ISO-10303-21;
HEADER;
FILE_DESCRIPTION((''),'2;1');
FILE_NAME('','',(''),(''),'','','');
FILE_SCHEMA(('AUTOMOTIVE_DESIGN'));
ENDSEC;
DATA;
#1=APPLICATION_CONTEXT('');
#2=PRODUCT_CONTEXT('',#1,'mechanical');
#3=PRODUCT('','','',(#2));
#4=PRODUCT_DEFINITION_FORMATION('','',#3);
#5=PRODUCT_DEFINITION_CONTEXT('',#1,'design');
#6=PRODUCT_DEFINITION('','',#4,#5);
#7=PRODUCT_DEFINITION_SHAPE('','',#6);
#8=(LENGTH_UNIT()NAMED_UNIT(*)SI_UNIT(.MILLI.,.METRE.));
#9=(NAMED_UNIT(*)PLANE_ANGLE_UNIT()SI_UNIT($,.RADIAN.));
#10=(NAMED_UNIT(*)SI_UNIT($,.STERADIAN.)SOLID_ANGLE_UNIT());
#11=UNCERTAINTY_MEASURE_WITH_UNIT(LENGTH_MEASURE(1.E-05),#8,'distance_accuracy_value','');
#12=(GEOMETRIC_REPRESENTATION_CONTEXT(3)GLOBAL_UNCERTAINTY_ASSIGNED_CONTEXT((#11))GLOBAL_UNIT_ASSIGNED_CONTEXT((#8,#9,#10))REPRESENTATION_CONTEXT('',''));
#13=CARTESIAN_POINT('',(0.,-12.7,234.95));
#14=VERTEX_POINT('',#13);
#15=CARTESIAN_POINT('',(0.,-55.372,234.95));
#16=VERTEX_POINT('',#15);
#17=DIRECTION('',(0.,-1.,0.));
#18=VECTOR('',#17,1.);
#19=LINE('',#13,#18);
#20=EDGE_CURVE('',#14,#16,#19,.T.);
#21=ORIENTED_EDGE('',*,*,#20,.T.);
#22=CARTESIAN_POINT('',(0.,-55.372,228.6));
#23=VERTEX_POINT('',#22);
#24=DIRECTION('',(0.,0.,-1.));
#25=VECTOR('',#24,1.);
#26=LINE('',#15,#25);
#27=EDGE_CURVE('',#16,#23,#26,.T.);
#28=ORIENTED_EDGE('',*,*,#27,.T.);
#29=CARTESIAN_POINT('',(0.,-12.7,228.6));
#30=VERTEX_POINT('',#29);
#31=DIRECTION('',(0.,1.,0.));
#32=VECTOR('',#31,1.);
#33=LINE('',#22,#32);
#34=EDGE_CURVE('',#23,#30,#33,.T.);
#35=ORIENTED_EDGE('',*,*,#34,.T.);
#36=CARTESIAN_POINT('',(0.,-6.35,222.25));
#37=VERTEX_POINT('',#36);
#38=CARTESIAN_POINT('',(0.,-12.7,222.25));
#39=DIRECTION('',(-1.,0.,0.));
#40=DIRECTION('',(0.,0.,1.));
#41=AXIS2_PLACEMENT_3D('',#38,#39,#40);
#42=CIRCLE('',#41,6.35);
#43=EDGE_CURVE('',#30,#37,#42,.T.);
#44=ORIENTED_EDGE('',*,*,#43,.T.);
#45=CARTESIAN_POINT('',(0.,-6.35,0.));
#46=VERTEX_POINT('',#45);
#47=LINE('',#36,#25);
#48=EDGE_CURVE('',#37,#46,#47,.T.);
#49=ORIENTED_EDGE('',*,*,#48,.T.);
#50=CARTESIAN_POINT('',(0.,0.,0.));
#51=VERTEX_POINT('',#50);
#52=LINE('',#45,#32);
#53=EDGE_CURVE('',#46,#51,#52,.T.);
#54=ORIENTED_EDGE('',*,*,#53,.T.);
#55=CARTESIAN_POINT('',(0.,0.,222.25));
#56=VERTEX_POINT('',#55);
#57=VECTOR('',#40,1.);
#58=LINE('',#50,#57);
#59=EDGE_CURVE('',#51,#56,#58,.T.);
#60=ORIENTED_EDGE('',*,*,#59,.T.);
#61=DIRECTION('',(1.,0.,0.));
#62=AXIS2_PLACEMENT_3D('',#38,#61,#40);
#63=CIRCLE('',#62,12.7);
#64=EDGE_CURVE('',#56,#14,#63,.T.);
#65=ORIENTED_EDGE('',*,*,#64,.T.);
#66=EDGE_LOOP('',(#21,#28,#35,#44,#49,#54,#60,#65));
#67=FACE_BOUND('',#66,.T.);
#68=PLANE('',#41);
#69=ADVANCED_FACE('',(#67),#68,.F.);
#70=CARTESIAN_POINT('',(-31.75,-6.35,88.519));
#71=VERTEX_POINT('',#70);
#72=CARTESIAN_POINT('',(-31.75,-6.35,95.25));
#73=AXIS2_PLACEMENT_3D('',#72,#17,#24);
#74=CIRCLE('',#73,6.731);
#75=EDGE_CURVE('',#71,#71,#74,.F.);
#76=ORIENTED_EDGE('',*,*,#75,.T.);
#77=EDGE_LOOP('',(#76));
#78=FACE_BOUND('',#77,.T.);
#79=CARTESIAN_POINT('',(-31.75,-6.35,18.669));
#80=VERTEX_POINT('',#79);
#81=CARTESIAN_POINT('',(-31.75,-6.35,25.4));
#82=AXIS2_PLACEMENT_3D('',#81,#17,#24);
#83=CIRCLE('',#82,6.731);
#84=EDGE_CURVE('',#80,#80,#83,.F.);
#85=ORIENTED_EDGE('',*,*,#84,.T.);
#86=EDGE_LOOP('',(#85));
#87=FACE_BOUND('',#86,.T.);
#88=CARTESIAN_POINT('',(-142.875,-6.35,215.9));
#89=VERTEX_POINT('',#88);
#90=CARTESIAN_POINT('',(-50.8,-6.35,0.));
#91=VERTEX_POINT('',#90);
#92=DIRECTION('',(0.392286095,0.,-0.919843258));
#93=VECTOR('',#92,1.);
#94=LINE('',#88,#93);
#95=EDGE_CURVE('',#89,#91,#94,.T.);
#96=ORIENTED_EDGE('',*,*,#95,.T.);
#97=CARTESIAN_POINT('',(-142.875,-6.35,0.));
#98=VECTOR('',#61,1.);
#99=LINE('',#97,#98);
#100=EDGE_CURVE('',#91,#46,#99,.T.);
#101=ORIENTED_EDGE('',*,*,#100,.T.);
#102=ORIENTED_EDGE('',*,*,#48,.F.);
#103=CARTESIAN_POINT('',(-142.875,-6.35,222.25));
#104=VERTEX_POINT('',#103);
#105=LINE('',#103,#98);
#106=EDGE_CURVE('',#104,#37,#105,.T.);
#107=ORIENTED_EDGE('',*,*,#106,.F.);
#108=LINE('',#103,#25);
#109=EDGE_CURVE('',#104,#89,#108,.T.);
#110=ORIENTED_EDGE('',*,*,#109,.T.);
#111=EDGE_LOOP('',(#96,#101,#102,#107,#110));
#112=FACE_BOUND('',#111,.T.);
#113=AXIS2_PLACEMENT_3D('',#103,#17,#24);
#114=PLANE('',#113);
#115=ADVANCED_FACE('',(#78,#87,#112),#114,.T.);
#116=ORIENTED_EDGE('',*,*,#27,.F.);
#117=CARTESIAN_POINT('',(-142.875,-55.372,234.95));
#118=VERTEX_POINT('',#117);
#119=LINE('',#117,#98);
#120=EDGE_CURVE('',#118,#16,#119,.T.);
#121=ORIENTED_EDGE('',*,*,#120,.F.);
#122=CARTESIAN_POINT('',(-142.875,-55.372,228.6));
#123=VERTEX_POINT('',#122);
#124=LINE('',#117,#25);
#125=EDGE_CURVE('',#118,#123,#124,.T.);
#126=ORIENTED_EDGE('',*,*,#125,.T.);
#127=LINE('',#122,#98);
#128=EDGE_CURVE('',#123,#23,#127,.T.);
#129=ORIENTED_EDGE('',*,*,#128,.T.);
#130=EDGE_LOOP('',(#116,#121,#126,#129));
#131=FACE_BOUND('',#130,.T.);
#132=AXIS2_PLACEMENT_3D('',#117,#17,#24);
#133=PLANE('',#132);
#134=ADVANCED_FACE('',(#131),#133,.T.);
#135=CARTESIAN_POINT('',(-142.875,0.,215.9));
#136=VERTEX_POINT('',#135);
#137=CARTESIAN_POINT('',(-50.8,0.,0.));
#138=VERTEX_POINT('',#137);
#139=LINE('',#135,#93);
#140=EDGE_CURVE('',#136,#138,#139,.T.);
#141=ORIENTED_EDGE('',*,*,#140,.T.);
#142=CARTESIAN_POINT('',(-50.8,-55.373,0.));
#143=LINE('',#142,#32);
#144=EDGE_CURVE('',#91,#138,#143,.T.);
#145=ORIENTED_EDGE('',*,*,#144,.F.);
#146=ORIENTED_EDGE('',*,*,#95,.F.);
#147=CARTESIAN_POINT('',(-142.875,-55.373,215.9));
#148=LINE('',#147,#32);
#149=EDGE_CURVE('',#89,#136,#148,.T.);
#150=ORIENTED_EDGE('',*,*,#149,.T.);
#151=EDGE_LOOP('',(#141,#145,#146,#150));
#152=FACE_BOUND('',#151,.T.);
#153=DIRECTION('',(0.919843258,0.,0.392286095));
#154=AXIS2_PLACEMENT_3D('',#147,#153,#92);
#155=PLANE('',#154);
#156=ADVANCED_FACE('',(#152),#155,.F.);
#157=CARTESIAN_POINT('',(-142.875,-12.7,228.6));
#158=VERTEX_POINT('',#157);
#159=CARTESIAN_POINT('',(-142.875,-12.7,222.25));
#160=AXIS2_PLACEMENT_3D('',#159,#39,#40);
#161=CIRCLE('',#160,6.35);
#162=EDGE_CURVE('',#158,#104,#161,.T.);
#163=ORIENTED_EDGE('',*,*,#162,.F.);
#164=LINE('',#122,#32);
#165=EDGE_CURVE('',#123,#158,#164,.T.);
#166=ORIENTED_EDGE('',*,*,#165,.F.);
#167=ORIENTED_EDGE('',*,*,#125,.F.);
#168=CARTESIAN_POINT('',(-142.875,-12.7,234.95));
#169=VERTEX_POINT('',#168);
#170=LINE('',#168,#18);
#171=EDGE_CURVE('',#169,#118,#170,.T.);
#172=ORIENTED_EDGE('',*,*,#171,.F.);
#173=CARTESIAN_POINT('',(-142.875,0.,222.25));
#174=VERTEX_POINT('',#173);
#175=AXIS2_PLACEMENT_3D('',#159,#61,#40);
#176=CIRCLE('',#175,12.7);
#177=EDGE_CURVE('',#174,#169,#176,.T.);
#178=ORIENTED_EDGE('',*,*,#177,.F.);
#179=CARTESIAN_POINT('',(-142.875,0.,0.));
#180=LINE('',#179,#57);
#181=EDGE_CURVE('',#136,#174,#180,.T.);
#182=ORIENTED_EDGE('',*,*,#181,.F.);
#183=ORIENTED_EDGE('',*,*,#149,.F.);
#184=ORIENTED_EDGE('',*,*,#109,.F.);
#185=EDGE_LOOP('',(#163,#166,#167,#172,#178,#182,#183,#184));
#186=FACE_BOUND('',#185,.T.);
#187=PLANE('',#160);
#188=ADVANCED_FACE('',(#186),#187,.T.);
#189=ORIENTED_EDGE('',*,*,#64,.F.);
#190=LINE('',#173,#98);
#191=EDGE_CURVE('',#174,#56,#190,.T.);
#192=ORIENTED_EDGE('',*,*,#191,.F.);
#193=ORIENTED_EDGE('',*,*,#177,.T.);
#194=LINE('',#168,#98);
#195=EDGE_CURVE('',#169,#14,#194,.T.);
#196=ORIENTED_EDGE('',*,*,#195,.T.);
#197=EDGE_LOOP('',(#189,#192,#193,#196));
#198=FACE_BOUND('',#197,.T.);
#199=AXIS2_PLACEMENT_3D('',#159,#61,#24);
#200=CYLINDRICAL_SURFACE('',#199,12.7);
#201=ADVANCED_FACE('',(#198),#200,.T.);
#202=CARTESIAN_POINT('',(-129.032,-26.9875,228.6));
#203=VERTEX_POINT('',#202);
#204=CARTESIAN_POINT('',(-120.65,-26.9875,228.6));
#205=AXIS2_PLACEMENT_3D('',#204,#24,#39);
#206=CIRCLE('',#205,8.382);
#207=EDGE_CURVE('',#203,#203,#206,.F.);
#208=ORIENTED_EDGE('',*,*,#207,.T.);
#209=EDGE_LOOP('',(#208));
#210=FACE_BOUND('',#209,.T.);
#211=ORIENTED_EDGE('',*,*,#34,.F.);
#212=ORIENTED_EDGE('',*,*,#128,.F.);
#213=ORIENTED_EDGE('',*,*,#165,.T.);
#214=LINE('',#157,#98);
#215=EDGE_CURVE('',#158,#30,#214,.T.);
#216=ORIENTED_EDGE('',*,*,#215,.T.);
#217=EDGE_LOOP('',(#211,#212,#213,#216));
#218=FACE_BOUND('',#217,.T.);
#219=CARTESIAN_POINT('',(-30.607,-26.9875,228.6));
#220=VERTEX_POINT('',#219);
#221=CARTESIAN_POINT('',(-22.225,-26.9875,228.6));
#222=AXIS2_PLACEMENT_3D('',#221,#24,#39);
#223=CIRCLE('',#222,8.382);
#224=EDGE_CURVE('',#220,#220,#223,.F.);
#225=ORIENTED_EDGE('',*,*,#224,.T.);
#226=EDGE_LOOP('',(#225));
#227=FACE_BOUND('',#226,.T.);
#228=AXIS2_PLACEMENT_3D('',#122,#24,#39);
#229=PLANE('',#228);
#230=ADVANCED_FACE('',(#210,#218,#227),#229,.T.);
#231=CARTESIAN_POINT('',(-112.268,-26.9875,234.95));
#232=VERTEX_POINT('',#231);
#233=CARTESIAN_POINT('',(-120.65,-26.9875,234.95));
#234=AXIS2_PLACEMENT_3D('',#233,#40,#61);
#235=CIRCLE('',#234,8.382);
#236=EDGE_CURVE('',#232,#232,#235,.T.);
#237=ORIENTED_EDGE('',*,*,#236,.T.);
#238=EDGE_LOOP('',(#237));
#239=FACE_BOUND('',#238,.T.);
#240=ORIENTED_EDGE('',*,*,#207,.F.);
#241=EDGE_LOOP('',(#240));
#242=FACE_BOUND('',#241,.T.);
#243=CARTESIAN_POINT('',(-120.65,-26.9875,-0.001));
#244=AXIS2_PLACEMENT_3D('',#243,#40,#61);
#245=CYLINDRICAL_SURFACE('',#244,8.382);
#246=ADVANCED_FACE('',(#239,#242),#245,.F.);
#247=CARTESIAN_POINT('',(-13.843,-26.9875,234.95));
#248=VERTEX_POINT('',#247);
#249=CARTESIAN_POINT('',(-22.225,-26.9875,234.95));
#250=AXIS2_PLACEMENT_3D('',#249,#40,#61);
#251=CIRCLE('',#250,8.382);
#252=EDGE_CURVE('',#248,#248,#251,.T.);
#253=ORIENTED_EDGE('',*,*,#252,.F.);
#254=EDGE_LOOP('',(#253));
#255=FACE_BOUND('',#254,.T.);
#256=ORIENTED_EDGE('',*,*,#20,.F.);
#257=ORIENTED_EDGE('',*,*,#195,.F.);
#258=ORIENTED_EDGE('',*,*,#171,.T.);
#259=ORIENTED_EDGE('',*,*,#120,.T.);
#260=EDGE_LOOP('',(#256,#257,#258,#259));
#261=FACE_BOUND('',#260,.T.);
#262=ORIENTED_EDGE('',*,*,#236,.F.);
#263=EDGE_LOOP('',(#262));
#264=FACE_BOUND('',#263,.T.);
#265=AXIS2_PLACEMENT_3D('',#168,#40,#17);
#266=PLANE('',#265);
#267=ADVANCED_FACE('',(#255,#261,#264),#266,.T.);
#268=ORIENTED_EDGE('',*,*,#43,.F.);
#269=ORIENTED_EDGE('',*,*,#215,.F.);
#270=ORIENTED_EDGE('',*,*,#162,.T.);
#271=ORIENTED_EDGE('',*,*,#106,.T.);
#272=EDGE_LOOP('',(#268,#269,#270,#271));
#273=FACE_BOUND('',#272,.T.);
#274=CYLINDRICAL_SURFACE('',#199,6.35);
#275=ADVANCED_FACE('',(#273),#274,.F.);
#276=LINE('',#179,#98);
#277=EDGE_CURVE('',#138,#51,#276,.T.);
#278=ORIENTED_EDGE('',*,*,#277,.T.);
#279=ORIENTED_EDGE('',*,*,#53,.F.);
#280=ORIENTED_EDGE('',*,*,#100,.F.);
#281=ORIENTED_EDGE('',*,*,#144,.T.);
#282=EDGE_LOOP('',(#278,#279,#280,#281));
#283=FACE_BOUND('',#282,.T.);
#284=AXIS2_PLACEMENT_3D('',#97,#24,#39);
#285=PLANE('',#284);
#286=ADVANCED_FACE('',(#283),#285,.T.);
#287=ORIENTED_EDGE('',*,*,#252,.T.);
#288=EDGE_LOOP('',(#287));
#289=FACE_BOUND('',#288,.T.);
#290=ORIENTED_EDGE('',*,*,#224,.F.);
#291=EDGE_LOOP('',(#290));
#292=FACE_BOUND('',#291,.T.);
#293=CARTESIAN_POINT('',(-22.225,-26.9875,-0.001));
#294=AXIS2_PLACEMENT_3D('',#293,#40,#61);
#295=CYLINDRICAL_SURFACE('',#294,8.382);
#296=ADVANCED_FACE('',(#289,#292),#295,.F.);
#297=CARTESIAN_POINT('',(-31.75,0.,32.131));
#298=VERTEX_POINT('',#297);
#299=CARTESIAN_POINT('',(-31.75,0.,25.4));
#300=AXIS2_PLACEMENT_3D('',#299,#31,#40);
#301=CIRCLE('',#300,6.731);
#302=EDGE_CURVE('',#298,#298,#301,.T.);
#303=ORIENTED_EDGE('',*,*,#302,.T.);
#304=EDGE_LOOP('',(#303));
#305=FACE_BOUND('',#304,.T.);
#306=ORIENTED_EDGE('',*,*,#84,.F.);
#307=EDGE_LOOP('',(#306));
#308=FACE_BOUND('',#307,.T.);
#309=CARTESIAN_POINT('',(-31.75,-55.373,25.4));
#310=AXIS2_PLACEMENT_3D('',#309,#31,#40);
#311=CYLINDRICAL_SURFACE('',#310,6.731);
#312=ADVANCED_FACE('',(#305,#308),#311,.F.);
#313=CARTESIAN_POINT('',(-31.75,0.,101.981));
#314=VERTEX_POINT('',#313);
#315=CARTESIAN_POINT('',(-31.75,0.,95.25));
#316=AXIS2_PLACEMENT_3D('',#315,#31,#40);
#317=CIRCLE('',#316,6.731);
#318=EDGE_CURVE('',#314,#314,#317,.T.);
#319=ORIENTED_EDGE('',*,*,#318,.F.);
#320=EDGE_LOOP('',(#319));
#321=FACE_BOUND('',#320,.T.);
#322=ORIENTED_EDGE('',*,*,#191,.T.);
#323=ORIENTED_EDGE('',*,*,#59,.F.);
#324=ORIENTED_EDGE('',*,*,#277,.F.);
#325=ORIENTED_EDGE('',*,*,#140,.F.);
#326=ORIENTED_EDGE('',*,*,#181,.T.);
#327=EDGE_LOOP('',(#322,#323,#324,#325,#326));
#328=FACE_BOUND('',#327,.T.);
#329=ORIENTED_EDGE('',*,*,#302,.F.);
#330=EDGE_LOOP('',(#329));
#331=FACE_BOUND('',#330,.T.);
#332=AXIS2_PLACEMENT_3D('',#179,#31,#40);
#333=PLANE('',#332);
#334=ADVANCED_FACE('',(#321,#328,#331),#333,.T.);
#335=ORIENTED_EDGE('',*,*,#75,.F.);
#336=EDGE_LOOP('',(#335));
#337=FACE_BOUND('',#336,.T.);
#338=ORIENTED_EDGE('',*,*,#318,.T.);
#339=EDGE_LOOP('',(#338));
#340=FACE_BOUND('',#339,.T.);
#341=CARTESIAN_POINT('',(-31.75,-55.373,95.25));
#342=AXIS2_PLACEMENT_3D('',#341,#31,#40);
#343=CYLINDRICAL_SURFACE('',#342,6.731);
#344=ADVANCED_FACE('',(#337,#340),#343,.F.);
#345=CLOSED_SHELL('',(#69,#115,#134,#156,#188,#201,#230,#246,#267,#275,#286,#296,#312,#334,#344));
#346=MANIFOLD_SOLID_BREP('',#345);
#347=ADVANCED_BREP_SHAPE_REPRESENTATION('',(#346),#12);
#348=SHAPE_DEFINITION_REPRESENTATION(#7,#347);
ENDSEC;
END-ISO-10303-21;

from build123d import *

# Parameters (mm, degrees)
BASE_EXTRUDE_DEPTH = 142.875
CUT_EXTRUDE1_REACH = 236.95
SKETCH2_R          = 8.382
CUT_EXTRUDE2_REACH = 57.372
SKETCH3_R          = 6.731


with BuildPart() as part:
    # Sketch1 → Base-Extrude (new body)
    with BuildSketch(Plane(origin=(0, 0, 0), x_dir=(0, 0, -1), z_dir=(1, 0, 0))):
        with BuildLine():
            Line((0, 0), (-222.25, 0))
            ThreePointArc((-222.25, 0), (-231.230256121, -3.719743879), (-234.95, -12.7))
            Line((-234.95, -12.7), (-234.95, -55.372))
            Line((-234.95, -55.372), (-228.6, -55.372))
            Line((-228.6, -55.372), (-228.6, -12.7))
            ThreePointArc((-228.6, -12.7), (-226.740128061, -8.209871939), (-222.25, -6.35))
            Line((-222.25, -6.35), (0, -6.35))
            Line((0, -6.35), (0, 0))
        make_face()
    extrude(amount=-BASE_EXTRUDE_DEPTH)

    # Sketch2 → Cut-Extrude1 (cut, up to next)
    with BuildSketch(Plane.XY.offset(234.95), mode=Mode.PRIVATE) as cut_extrude1_sk1:
        with Locations((-120.65, -26.9875)):
            Circle(SKETCH2_R)
    cut_extrude1_tool1 = extrude(cut_extrude1_sk1.sketch, amount=-CUT_EXTRUDE1_REACH, mode=Mode.PRIVATE) & part.part
    add(cut_extrude1_tool1.solids().sort_by_distance((-120.65, -26.9875, 234.95))[0], mode=Mode.SUBTRACT)
    # Sketch2 → Cut-Extrude1 (cut, up to next)
    with BuildSketch(Plane.XY.offset(234.95), mode=Mode.PRIVATE) as cut_extrude1_sk2:
        with Locations((-22.225, -26.9875)):
            Circle(SKETCH2_R)
    cut_extrude1_tool2 = extrude(cut_extrude1_sk2.sketch, amount=-CUT_EXTRUDE1_REACH, mode=Mode.PRIVATE) & part.part
    add(cut_extrude1_tool2.solids().sort_by_distance((-22.225, -26.9875, 234.95))[0], mode=Mode.SUBTRACT)

    # Sketch3 → Cut-Extrude2 (cut, up to next)
    with BuildSketch(Plane(origin=(0, 0, 0), x_dir=(-1, 0, 0), z_dir=(0, 1, 0)), mode=Mode.PRIVATE) as cut_extrude2_sk1:
        with Locations((31.75, 95.25)):
            Circle(SKETCH3_R)
    cut_extrude2_tool1 = extrude(cut_extrude2_sk1.sketch, amount=-CUT_EXTRUDE2_REACH, mode=Mode.PRIVATE) & part.part
    add(cut_extrude2_tool1.solids().sort_by_distance((-31.75, 0, 95.25))[0], mode=Mode.SUBTRACT)
    # Sketch3 → Cut-Extrude2 (cut, up to next)
    with BuildSketch(Plane(origin=(0, 0, 0), x_dir=(-1, 0, 0), z_dir=(0, 1, 0)), mode=Mode.PRIVATE) as cut_extrude2_sk2:
        with Locations((31.75, 25.4)):
            Circle(SKETCH3_R)
    cut_extrude2_tool2 = extrude(cut_extrude2_sk2.sketch, amount=-CUT_EXTRUDE2_REACH, mode=Mode.PRIVATE) & part.part
    add(cut_extrude2_tool2.solids().sort_by_distance((-31.75, 0, 25.4))[0], mode=Mode.SUBTRACT)
    # Sketch3 → Cut-Extrude2 (cut, up to next)
    with BuildSketch(Plane(origin=(0, 0, 0), x_dir=(-1, 0, 0), z_dir=(0, 1, 0)), mode=Mode.PRIVATE) as cut_extrude2_sk3:
        Polygon((142.875, 215.9), (50.8, 0), (142.875, 0), align=None)
    cut_extrude2_tool3 = extrude(cut_extrude2_sk3.sketch, amount=-CUT_EXTRUDE2_REACH, mode=Mode.PRIVATE) & part.part
    add(cut_extrude2_tool3.solids().sort_by_distance((-112.183333, 0, 71.966667))[0], mode=Mode.SUBTRACT)


solid = part.part
